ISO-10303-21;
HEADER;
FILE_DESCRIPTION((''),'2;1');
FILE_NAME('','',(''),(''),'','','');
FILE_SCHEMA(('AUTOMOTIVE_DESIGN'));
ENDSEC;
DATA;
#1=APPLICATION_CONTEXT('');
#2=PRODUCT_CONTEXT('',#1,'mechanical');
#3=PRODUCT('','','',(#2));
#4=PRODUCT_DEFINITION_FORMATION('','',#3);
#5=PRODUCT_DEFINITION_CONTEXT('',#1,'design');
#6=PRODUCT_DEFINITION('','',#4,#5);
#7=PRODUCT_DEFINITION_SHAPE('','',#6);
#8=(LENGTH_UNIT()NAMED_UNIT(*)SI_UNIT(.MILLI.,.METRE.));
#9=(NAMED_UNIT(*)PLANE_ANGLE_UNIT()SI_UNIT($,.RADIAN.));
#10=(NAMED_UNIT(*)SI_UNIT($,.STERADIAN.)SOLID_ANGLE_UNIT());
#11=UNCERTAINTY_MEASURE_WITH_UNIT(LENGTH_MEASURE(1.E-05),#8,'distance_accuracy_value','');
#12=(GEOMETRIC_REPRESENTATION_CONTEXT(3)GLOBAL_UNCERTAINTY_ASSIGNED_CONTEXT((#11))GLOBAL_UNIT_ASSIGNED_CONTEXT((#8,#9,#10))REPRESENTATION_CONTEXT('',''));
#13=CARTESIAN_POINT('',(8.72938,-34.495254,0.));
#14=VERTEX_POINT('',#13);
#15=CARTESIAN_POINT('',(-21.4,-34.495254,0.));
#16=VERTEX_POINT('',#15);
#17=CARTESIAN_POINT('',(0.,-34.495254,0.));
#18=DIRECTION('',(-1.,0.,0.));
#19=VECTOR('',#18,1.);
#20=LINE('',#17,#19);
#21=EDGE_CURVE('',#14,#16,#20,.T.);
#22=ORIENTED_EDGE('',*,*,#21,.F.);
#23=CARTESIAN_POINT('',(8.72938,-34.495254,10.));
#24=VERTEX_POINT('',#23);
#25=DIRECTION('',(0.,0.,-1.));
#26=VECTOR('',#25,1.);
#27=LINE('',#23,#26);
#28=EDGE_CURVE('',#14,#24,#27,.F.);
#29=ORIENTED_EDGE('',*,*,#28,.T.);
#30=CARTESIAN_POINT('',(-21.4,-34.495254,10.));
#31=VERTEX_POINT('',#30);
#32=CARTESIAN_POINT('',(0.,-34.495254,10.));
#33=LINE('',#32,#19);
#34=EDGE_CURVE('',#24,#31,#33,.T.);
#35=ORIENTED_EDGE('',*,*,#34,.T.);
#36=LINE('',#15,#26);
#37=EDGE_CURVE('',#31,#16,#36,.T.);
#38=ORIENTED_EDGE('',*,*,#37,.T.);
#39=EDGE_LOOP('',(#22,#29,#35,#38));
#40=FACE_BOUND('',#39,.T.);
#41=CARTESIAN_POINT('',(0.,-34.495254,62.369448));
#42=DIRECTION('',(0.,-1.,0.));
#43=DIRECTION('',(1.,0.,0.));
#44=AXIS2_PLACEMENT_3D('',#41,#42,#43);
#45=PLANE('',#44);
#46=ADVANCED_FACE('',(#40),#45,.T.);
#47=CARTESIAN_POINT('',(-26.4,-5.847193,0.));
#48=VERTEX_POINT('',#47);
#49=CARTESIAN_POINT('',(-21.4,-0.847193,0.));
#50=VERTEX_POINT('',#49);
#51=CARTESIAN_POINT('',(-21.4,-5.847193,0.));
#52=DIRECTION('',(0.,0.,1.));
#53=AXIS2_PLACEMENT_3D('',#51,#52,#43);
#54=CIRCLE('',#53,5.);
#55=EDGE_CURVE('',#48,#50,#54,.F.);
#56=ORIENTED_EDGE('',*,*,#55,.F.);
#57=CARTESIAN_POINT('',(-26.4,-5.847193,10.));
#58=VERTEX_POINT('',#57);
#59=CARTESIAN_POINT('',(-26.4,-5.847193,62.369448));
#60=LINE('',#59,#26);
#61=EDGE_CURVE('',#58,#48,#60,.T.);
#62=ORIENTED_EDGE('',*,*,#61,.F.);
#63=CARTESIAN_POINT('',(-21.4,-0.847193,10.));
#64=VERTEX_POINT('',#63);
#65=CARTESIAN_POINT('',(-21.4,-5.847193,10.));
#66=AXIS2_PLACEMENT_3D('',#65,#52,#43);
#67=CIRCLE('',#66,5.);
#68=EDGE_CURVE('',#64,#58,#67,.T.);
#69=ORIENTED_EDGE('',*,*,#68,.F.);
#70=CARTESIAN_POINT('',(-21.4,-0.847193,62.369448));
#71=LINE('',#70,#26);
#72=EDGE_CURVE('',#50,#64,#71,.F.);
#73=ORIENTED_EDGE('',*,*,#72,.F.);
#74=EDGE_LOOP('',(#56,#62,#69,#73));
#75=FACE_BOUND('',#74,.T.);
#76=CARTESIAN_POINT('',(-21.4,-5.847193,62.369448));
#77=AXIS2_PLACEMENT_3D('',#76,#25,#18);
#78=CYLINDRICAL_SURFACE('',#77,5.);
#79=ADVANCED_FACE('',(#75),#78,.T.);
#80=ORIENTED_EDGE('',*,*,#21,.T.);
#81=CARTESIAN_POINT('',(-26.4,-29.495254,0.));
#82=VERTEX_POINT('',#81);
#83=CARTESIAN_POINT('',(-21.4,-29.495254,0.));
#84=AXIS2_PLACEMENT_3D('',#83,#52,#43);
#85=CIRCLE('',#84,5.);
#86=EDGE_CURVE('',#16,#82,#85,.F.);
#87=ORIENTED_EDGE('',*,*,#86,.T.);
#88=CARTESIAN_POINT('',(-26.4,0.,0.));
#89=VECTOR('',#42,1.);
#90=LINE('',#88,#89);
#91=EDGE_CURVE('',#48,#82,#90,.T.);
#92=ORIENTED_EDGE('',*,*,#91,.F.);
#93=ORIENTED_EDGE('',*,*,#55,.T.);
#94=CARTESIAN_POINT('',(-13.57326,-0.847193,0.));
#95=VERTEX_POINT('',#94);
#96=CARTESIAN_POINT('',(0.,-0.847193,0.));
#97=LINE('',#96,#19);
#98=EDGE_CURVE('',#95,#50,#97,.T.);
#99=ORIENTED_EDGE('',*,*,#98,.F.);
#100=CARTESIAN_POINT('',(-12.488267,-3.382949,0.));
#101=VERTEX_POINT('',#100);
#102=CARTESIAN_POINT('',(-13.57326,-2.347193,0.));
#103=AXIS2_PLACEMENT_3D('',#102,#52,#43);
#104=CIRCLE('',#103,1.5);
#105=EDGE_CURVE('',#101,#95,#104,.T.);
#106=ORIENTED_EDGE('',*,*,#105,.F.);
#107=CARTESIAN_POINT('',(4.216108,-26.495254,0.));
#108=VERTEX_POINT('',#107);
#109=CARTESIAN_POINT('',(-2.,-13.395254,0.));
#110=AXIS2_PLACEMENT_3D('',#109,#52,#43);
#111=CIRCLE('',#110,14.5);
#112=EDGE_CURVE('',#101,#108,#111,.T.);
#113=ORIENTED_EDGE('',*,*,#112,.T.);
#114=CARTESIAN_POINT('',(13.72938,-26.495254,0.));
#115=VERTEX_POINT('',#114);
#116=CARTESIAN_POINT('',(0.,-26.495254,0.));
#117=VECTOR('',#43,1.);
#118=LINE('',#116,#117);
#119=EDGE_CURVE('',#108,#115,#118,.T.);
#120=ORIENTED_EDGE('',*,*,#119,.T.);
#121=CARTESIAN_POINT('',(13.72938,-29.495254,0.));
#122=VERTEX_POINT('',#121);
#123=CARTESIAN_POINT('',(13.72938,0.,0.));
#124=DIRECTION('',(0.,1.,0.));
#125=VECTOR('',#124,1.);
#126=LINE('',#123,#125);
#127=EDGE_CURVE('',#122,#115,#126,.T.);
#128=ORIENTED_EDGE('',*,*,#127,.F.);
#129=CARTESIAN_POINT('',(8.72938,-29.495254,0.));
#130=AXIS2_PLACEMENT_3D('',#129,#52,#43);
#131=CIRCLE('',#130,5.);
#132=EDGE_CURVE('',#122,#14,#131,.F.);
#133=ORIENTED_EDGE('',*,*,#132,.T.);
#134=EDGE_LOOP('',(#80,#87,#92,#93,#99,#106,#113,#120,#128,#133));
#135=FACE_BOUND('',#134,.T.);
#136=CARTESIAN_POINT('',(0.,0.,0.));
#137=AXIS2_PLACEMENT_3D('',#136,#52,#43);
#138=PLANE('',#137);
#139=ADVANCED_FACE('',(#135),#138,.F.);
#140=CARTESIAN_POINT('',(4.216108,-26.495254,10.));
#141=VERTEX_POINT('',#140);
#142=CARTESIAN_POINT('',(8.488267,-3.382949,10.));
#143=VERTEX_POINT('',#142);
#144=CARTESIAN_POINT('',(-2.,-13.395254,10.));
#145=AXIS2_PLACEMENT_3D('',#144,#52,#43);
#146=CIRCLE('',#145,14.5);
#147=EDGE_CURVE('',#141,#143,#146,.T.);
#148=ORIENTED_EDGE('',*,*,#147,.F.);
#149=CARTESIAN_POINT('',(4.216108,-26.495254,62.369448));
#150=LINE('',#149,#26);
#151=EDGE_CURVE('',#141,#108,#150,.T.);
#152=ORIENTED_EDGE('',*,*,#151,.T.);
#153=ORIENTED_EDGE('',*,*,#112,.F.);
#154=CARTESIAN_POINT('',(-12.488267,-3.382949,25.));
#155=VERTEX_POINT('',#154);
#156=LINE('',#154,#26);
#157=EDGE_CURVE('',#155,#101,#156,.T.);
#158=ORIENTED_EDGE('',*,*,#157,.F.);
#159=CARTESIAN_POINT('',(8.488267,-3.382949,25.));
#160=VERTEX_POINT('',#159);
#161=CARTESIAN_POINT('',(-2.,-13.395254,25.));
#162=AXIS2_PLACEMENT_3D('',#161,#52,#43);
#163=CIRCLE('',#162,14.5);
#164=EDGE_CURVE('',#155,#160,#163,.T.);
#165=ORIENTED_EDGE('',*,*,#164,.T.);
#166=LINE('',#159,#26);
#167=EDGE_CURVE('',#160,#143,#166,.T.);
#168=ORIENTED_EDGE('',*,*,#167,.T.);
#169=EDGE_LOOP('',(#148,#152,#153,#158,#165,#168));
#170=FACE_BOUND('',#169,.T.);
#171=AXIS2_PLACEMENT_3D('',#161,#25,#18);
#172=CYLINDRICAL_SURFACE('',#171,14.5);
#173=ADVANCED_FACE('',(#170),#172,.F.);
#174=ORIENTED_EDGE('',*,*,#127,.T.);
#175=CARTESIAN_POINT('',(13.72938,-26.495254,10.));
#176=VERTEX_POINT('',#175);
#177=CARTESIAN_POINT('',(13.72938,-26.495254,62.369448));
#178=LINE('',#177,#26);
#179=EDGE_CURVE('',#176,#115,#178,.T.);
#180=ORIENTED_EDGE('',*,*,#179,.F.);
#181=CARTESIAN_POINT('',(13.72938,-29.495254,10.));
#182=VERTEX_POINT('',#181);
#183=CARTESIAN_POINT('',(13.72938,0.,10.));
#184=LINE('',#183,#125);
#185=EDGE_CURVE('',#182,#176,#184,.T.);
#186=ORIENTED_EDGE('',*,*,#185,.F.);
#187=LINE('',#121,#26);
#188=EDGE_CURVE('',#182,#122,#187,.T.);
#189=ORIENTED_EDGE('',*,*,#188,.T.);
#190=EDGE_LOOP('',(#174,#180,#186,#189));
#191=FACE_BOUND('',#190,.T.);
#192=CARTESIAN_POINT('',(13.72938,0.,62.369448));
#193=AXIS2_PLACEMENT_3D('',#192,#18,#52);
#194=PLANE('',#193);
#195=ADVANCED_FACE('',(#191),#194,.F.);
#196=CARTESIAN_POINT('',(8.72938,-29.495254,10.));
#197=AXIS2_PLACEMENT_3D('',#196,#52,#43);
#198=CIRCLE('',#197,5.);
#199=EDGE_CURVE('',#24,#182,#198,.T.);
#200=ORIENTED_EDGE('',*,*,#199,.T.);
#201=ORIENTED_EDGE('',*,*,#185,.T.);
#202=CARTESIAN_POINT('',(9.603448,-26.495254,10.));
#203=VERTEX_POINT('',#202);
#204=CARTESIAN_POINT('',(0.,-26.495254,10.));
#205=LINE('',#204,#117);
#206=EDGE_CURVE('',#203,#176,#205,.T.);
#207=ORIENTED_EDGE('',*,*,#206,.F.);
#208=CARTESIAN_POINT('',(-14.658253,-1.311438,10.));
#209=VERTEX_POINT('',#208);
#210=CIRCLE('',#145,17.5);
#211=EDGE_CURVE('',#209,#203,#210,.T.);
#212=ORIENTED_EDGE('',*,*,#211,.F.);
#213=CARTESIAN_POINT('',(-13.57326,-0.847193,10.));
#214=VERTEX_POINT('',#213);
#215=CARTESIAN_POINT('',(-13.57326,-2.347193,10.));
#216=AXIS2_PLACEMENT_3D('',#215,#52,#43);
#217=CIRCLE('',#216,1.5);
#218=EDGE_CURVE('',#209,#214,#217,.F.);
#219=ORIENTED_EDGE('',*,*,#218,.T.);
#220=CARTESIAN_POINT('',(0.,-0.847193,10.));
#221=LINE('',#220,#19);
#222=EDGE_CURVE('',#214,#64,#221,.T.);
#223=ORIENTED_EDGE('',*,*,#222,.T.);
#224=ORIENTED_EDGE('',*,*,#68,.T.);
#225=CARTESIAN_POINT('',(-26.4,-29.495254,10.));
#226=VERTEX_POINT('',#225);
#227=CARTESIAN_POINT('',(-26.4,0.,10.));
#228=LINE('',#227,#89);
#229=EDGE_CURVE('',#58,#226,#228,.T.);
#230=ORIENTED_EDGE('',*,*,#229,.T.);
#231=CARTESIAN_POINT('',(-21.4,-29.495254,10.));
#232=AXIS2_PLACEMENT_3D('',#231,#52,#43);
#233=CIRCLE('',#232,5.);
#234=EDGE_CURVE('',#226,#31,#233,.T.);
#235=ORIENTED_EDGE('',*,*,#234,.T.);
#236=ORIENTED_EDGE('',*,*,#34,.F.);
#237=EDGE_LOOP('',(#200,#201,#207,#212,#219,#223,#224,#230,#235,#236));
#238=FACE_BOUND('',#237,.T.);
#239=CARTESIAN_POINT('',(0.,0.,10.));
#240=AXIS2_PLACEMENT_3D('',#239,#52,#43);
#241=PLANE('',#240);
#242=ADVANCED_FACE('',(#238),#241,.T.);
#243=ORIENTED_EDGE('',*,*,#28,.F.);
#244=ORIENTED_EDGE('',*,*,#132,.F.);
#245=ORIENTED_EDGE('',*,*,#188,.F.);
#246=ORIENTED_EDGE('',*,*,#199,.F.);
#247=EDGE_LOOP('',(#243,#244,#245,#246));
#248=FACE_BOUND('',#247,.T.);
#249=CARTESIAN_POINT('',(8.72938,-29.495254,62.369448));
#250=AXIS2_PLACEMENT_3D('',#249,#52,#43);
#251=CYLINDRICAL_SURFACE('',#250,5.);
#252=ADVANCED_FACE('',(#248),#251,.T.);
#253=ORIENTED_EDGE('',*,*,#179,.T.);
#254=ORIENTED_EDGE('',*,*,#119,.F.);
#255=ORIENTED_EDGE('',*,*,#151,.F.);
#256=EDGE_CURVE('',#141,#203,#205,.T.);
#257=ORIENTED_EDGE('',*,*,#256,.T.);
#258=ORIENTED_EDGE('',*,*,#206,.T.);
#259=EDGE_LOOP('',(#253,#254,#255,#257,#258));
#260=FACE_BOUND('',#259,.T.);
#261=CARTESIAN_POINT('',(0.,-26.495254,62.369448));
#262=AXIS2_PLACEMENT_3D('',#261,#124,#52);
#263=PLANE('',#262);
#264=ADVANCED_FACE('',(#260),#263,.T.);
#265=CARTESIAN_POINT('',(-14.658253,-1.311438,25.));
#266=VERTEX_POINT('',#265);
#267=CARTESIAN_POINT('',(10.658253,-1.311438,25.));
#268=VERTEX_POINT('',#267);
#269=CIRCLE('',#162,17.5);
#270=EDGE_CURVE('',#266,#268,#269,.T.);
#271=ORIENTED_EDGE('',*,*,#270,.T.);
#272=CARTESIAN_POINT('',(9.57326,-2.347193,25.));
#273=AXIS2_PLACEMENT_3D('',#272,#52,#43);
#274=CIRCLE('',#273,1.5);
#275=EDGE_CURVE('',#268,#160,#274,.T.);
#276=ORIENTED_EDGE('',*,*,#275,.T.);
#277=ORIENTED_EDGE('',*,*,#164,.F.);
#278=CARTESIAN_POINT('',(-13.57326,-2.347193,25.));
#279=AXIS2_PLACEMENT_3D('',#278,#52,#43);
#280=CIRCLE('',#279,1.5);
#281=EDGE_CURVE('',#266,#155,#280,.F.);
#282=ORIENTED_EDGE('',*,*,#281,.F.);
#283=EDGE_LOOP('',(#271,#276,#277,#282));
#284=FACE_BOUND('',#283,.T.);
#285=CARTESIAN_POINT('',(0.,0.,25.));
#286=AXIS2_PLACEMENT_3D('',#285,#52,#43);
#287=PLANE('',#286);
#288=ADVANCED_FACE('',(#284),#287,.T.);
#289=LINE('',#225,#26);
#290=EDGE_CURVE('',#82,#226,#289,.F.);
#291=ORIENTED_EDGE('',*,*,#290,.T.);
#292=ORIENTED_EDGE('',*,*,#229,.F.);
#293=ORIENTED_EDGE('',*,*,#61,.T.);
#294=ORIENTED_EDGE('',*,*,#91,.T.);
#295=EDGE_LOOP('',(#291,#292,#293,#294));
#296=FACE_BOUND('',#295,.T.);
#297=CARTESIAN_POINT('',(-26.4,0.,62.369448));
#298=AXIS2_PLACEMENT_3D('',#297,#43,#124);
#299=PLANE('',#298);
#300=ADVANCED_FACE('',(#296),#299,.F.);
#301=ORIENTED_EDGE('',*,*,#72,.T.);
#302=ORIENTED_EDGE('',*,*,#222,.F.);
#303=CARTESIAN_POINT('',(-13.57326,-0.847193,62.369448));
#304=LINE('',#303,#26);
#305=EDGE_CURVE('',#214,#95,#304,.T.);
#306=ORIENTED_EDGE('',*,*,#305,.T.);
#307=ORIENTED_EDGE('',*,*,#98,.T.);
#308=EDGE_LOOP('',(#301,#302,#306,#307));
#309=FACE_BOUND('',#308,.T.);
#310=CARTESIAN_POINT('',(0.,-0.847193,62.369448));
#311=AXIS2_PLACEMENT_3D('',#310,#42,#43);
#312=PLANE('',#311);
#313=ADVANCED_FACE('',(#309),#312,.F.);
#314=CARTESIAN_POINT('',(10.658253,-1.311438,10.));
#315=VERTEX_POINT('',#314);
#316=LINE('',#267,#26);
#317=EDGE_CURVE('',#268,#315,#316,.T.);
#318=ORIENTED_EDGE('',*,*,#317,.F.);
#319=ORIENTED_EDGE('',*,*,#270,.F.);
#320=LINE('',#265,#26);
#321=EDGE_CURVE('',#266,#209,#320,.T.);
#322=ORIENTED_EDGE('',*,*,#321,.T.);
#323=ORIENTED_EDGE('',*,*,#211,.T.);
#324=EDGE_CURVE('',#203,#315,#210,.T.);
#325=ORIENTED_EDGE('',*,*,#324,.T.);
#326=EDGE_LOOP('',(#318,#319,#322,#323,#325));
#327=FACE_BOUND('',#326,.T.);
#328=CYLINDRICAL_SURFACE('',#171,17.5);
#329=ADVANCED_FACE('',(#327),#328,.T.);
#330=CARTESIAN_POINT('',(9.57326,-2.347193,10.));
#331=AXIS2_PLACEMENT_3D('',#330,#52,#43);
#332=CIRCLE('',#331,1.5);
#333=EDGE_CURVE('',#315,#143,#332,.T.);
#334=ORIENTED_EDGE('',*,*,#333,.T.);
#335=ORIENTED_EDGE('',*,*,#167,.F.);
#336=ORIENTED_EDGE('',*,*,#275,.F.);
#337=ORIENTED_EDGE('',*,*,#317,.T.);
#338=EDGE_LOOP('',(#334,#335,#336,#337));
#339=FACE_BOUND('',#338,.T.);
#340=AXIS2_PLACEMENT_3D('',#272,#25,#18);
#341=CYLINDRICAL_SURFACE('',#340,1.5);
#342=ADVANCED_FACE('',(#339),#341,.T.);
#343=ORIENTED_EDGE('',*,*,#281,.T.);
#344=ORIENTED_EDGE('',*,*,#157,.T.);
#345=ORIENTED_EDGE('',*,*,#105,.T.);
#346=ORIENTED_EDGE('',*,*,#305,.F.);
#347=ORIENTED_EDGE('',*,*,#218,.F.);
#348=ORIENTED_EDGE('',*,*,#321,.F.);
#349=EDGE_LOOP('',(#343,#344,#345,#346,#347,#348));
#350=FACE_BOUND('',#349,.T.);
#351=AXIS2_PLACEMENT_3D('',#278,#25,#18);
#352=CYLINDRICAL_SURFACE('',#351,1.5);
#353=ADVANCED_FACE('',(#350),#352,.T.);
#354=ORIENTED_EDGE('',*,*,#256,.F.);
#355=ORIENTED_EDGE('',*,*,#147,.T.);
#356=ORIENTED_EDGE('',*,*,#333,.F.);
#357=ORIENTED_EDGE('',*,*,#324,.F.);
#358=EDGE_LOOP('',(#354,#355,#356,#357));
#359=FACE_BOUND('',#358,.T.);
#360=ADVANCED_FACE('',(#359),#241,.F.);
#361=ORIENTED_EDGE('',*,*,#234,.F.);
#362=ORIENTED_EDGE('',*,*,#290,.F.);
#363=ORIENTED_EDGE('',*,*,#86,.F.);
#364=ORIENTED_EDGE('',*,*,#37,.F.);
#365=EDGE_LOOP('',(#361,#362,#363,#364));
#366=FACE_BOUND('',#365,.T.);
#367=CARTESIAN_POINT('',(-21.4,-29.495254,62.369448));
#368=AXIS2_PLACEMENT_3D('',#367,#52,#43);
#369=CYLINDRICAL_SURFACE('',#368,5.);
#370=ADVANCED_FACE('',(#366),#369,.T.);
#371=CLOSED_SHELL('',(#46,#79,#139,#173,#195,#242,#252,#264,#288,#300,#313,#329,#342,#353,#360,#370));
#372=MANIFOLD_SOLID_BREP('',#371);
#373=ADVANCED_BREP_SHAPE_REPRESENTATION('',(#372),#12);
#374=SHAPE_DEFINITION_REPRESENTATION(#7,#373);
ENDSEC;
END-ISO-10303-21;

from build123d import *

# Parameters (mm, degrees)
BOSS_EXTRUDE1_START = 10
BOSS_EXTRUDE1_DEPTH = 15
BOSS_EXTRUDE3_DEPTH = 10
FILLET1_R           = 5
BOSS_EXTRUDE4_START = 10
BOSS_EXTRUDE4_DEPTH = 10


with BuildPart() as part:
    # Sketch1 → Boss-Extrude1 (new body)
    with BuildSketch(Plane.XY.offset(BOSS_EXTRUDE1_START)):
        with BuildLine():
            ThreePointArc((8.488266962, -3.382949128), (-2.000000007, -27.895254363), (-12.488266953, -3.382949118))
            ThreePointArc((-12.488266953, -3.382949118), (-12.537504406, -1.262200246), (-14.658253277, -1.311437749))
            ThreePointArc((-14.658253277, -1.311437749), (-1.999999957, -30.895254363), (10.658253217, -1.311437686))
            ThreePointArc((10.658253217, -1.311437686), (8.53750437, -1.262200281), (8.488266962, -3.382949128))
        make_face()
    extrude(amount=BOSS_EXTRUDE1_DEPTH)

    # Sketch2 → Boss-Extrude3 (add)
    with BuildSketch(Plane.XY):
        with BuildLine():
            ThreePointArc((-12.488266958, -3.382949123), (-12.194196355, -1.757122894), (-13.573260086, -0.847193408))
            ThreePointArc((-13.573260086, -0.847193408), (-14.163330605, -0.968129672), (-14.658253225, -1.311437694))
            ThreePointArc((-14.658253225, -1.311437694), (-19.372506678, -15.503811146), (-11.4, -28.156351884))
            Line((-11.4, -28.156351884), (-11.4, -26.495254363))
            Line((-11.4, -26.495254363), (-11.4, -24.435634792))
            ThreePointArc((-11.4, -24.435634792), (-16.480665872, -14.143796874), (-12.488266958, -3.382949123))
        make_face()
        with BuildLine():
            ThreePointArc((-14.658253225, -1.311437694), (-14.163330605, -0.968129672), (-13.573260086, -0.847193408))
            Line((-13.573260086, -0.847193408), (-26.4, -0.847193408))
            Line((-26.4, -0.847193408), (-26.4, -34.495254363))
            Line((-26.4, -34.495254363), (-11.4, -34.495254363))
            Line((-11.4, -34.495254363), (-11.4, -28.156351884))
            ThreePointArc((-11.4, -28.156351884), (-19.372506678, -15.503811146), (-14.658253225, -1.311437694))
        make_face()
        with BuildLine():
            ThreePointArc((9.603447763, -26.495254363), (-0.620287438, -30.840780817), (-11.4, -28.156351884))
            Line((-11.4, -28.156351884), (-11.4, -34.495254363))
            Line((-11.4, -34.495254363), (13.729379502, -34.495254363))
            Line((13.729379502, -34.495254363), (13.729379502, -26.495254363))
            Line((13.729379502, -26.495254363), (9.603447763, -26.495254363))
        make_face()
        with BuildLine():
            Line((-8.216108107, -26.495254363), (-11.4, -26.495254363))
            Line((-11.4, -26.495254363), (-11.4, -28.156351884))
            ThreePointArc((-11.4, -28.156351884), (-0.620287438, -30.840780817), (9.603447763, -26.495254363))
            Line((9.603447763, -26.495254363), (4.216108107, -26.495254363))
            ThreePointArc((4.216108107, -26.495254363), (-2, -27.895254363), (-8.216108107, -26.495254363))
        make_face()
    extrude(amount=BOSS_EXTRUDE3_DEPTH)

    # Fillet1
    fillet1_edges = [part.edges().sort_by_distance(p)[0] for p in [
        (-26.4, -34.495254363, 5),
        (13.729379502, -34.495254363, 5),
        (-26.4, -0.847193408, 5),
    ]]
    fillet(fillet1_edges, radius=FILLET1_R)

    # Sketch4 → Boss-Extrude4 (add)
    with BuildSketch(Plane(origin=(0, 0, 10), x_dir=(-1, 0, 0), z_dir=(0, 0, -1)).offset(BOSS_EXTRUDE4_START)):
        with BuildLine():
            Line((8.216108107, -26.495254363), (11.4, -26.495254363))
            Line((11.4, -26.495254363), (11.4, -24.435634792))
            ThreePointArc((11.4, -24.435634792), (9.875672435, -25.569973403), (8.216108107, -26.495254363))
        make_face()
    extrude(amount=-BOSS_EXTRUDE4_DEPTH)


solid = part.part
